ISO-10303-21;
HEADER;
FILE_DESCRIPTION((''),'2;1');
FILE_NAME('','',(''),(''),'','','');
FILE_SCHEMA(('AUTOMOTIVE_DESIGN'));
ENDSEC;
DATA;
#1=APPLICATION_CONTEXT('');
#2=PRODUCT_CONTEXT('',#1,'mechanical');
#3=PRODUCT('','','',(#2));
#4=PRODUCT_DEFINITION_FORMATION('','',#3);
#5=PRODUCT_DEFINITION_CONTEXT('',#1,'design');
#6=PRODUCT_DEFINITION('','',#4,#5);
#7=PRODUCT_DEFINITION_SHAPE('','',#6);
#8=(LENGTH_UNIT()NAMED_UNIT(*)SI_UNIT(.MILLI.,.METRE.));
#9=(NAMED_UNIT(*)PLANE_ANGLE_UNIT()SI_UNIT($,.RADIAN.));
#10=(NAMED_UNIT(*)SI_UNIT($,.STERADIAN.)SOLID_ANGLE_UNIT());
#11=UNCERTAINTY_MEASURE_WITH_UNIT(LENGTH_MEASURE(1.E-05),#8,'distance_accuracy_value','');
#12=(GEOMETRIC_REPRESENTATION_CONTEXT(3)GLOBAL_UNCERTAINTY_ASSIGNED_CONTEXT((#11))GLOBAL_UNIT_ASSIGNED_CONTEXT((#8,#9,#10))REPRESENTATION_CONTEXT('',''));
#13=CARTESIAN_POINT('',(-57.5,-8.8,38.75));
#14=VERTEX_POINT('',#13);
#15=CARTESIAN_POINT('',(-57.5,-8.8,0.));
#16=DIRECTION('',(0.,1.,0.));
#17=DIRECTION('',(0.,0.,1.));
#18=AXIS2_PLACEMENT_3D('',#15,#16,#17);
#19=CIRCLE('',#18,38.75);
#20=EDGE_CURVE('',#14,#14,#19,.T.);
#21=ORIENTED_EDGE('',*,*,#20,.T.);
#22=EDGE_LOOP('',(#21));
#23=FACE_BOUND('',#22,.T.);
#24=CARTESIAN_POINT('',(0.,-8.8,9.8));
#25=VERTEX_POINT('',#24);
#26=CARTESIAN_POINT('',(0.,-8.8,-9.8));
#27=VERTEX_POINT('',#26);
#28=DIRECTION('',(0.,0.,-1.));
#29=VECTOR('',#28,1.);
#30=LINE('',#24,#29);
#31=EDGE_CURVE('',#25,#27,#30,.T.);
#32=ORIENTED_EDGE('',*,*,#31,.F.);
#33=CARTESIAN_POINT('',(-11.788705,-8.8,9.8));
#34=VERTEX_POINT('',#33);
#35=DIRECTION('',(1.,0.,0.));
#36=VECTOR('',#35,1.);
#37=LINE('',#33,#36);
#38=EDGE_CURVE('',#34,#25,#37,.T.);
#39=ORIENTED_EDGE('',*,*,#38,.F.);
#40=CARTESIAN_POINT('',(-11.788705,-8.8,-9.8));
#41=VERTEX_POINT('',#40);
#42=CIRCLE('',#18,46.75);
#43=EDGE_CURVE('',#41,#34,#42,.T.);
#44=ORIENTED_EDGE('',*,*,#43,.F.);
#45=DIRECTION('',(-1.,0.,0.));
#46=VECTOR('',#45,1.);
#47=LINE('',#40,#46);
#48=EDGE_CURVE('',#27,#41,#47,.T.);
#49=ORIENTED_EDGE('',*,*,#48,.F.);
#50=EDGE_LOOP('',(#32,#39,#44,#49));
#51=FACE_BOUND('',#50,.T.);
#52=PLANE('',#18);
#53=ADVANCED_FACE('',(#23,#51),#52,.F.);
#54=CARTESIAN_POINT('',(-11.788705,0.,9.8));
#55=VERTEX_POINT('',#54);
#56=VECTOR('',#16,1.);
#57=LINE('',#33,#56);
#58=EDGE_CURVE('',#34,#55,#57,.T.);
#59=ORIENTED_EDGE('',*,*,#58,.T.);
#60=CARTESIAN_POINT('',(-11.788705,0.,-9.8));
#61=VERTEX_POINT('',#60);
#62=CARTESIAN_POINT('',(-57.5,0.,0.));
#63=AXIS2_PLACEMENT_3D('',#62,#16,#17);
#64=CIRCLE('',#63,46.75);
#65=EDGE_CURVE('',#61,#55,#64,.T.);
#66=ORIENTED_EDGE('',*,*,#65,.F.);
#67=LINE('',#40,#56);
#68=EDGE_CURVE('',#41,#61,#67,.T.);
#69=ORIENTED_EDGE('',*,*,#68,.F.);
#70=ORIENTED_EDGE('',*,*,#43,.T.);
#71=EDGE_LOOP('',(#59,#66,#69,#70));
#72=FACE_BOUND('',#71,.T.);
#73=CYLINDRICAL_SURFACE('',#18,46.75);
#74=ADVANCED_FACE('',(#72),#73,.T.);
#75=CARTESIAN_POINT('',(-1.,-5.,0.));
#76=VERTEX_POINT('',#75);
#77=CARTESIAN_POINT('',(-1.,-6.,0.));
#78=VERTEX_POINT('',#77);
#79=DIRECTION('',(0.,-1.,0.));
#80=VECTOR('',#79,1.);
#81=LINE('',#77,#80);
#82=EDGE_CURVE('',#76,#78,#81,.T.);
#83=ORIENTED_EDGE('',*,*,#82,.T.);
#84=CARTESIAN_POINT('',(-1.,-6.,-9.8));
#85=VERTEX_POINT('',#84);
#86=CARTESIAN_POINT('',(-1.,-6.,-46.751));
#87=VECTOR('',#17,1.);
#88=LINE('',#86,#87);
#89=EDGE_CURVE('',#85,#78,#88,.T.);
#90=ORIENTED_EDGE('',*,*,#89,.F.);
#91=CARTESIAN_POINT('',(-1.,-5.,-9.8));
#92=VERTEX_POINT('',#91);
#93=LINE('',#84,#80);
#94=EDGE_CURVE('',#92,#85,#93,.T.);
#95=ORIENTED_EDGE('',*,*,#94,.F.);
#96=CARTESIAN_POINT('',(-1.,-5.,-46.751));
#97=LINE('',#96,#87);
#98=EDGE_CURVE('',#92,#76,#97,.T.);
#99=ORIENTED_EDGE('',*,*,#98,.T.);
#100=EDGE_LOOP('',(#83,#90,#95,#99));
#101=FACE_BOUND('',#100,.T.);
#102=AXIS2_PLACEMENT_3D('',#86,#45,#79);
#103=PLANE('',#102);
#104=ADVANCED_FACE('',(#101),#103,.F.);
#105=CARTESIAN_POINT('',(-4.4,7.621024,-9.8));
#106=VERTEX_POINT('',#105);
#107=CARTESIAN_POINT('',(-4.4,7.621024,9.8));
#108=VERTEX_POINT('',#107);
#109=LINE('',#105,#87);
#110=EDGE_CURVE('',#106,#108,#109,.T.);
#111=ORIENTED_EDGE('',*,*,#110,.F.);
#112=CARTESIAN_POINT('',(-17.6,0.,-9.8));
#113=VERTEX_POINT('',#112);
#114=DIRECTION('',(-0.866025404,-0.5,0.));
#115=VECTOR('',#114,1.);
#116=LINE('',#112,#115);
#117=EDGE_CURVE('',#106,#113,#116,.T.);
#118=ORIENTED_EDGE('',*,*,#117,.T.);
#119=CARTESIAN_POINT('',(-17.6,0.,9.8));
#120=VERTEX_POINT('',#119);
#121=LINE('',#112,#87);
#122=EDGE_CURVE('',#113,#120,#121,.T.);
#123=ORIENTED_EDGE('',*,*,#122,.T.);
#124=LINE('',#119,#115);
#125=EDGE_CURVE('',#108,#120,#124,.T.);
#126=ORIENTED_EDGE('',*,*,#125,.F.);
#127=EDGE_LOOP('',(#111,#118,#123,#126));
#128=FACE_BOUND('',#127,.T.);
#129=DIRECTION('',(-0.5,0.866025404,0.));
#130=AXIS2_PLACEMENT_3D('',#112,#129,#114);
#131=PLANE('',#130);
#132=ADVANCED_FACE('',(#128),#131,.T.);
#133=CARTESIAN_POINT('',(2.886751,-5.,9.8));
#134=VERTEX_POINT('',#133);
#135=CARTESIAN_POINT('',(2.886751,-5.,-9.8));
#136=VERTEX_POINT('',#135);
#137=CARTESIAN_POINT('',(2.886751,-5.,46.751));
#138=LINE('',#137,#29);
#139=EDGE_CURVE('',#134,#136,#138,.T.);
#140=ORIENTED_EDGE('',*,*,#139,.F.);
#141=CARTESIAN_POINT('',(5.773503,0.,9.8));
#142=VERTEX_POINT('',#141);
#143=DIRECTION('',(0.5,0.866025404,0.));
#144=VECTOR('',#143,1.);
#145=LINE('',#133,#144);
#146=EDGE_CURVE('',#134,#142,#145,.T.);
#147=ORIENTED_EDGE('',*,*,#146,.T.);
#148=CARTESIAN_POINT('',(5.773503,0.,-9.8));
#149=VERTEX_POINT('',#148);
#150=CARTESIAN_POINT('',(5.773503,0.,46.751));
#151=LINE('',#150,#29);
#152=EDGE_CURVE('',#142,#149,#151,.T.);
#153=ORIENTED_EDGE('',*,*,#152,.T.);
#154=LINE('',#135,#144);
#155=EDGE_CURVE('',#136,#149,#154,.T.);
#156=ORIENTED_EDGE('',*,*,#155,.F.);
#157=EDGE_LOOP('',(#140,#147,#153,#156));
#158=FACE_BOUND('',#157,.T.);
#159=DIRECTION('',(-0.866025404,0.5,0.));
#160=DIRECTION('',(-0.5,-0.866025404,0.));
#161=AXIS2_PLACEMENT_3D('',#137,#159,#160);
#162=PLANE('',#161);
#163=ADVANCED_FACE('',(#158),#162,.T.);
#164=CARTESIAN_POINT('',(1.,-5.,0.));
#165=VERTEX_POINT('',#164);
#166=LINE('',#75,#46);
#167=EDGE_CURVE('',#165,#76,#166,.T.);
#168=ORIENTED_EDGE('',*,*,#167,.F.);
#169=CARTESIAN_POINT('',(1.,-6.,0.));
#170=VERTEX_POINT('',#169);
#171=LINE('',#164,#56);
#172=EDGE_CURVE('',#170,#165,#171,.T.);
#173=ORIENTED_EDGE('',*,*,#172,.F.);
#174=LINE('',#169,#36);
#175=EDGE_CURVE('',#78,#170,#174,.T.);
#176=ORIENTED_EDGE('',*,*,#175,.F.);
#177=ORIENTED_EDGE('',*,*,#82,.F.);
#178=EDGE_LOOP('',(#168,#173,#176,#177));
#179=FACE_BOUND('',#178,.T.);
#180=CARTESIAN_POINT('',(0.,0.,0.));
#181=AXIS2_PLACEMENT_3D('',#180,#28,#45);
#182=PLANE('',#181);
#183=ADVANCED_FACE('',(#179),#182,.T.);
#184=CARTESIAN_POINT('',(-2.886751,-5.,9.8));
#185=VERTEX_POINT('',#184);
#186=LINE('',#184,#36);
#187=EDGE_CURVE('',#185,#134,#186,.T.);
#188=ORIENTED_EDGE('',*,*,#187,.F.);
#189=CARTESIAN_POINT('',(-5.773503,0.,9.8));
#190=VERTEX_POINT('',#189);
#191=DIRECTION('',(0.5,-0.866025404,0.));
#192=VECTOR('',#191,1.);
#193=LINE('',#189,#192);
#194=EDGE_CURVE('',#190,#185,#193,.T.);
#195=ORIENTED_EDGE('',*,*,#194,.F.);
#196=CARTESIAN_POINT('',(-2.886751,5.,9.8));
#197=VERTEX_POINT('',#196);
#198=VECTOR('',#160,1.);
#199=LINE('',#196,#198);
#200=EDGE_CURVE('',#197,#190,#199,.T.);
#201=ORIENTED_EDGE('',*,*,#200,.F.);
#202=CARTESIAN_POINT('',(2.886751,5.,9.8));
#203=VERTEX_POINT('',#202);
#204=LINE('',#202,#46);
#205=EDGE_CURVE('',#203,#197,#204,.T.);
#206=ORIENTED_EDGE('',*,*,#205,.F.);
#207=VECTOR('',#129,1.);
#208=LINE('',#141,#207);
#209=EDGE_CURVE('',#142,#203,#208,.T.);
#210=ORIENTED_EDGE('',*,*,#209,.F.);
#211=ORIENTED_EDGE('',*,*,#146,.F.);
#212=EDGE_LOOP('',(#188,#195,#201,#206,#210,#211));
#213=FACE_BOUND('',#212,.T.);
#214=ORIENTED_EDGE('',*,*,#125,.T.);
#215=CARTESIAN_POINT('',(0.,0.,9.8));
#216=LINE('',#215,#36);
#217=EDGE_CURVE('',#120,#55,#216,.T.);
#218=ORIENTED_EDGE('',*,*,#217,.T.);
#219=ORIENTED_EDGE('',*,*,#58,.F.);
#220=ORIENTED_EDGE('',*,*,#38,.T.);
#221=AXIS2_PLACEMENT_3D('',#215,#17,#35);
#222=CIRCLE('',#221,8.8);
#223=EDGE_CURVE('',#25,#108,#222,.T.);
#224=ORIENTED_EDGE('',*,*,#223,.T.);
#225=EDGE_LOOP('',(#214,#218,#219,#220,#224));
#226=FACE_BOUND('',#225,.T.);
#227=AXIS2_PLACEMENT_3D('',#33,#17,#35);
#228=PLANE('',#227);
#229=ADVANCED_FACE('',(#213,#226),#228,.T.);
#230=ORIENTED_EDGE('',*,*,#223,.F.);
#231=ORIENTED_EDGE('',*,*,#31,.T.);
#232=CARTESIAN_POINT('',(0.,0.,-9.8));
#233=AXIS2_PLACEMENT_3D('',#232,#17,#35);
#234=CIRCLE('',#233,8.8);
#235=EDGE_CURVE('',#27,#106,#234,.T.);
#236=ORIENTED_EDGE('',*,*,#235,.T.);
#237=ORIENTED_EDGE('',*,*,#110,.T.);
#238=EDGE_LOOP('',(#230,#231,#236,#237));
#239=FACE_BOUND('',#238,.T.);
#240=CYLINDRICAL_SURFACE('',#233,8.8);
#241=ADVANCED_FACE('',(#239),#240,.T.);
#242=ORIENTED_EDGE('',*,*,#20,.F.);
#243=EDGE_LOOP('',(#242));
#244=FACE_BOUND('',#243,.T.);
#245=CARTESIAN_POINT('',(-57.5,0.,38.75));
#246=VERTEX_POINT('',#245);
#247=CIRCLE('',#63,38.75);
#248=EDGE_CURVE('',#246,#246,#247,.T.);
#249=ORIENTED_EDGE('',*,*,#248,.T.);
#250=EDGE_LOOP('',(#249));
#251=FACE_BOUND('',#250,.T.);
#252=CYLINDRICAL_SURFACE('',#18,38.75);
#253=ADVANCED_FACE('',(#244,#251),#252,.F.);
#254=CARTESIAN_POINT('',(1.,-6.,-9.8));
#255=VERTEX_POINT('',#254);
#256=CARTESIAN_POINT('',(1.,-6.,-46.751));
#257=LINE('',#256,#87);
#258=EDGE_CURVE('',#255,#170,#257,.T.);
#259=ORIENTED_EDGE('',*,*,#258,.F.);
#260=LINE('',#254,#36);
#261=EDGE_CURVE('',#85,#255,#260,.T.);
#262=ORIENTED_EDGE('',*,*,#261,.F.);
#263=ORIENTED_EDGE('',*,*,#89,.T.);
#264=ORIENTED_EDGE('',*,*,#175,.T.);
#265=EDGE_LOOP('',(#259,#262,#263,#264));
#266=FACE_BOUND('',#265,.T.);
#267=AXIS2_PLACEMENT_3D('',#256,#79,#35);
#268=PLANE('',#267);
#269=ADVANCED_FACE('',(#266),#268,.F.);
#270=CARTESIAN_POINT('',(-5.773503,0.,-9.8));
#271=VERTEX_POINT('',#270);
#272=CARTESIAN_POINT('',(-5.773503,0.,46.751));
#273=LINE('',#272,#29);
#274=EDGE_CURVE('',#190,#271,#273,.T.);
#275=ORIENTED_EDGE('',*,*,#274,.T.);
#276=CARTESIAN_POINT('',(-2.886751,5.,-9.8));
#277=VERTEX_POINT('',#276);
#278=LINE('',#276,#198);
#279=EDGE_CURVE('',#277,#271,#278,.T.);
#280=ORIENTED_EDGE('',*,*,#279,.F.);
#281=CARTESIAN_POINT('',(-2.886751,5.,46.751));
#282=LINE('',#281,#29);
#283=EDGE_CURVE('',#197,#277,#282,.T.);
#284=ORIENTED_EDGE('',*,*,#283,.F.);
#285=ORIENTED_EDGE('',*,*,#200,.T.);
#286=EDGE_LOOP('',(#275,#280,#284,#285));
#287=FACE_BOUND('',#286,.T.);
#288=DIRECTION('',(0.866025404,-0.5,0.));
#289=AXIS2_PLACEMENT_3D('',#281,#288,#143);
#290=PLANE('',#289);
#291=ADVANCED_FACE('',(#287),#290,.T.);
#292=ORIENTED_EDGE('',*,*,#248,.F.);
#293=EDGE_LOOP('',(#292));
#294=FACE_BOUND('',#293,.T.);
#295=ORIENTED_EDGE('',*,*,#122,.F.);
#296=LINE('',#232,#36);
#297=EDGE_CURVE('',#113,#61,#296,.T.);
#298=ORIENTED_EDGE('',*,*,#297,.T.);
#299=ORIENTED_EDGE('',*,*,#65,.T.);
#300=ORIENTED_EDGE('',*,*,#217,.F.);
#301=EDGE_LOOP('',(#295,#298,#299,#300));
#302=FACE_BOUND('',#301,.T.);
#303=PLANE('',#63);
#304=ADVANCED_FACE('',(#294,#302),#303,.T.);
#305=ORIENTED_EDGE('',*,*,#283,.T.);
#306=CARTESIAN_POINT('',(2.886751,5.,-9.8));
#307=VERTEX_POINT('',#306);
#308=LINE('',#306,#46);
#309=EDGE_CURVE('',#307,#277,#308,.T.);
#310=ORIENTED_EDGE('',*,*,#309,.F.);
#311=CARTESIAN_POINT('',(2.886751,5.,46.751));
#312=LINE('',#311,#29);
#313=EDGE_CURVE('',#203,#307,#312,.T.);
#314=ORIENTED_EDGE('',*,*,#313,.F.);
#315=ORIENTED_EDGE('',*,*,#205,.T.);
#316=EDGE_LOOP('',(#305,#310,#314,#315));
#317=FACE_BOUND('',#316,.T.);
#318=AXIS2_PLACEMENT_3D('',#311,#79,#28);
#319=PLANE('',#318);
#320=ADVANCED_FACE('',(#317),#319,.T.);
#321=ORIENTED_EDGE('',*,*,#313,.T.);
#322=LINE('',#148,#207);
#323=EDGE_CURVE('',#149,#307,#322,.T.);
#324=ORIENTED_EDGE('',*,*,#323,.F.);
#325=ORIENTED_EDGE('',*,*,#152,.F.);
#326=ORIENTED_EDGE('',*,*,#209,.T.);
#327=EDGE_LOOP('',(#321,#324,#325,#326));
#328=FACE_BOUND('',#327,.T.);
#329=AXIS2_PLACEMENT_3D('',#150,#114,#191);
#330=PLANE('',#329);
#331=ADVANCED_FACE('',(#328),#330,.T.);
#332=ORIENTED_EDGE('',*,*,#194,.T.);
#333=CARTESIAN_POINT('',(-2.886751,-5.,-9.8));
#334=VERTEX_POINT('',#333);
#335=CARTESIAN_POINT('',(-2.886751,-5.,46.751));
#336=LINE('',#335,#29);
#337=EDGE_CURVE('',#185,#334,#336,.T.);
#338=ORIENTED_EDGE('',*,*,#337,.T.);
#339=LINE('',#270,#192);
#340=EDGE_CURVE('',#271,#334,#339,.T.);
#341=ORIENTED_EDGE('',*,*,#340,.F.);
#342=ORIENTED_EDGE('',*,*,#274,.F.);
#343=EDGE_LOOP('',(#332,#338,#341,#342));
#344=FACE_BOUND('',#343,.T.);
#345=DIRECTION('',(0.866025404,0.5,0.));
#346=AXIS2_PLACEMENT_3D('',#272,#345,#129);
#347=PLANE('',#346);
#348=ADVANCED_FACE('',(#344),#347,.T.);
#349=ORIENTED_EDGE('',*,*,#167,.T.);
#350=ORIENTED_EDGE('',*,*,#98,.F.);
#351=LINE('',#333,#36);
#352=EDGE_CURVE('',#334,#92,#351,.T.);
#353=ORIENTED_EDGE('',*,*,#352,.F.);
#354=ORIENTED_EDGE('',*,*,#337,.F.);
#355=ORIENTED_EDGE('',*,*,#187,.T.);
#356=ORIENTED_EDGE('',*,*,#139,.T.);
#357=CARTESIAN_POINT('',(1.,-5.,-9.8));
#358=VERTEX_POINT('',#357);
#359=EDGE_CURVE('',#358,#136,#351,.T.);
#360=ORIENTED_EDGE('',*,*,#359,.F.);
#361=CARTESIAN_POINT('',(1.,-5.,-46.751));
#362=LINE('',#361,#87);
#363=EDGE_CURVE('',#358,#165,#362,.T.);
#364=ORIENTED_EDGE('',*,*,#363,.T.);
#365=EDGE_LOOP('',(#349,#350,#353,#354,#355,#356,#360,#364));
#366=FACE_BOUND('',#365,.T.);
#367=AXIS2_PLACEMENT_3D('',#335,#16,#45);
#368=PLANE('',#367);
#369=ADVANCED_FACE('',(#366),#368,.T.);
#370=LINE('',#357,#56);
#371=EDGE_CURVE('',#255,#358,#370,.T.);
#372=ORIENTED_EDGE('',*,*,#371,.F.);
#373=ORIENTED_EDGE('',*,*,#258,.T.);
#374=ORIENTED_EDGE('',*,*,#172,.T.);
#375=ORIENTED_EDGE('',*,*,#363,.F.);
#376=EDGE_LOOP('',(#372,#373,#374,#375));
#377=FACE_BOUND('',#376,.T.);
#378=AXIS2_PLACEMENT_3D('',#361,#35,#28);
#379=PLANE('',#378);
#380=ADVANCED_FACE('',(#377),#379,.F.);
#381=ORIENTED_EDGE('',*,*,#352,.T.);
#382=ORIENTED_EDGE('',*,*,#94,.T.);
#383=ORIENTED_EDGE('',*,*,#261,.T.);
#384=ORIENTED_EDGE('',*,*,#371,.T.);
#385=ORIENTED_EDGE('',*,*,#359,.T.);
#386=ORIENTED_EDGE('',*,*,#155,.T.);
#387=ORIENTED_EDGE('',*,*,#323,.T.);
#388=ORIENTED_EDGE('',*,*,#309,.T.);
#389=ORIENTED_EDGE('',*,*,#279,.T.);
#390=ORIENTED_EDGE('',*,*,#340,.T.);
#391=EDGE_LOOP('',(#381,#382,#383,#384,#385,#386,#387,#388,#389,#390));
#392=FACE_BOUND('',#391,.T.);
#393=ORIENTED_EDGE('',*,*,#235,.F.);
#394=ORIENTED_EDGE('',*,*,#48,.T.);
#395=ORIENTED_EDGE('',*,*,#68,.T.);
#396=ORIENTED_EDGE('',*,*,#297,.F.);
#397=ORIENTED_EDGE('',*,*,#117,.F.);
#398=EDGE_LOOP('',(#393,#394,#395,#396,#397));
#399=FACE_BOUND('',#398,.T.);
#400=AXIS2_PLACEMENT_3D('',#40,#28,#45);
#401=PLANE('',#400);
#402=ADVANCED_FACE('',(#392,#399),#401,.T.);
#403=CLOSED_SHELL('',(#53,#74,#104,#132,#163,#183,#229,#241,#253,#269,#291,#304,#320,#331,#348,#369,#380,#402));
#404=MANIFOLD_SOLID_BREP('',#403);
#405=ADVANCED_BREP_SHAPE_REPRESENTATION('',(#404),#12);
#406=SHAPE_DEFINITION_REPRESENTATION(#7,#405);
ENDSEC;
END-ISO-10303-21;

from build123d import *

# Parameters (mm, degrees)
SKETCH2_R                      = 38.75
BOSS_EXTRUDE1_DEPTH            = 8.8
BOSS_EXTRUDE2_DEPTH            = 9.8
BOSS_EXTRUDE2_DEPTH_BACK       = 9.8
CUT_EXTRUDE1_REACH             = 116.591
CUT_EXTRUDE1_DIRECTION_2_REACH = 116.591
CUT_EXTRUDE2_REACH             = 116.591
SKETCH5_W                      = 2
SKETCH5_H                      = 1


with BuildPart() as part:
    # Sketch2 → Boss-Extrude1 (new body)
    with BuildSketch(Plane(origin=(0, 0, 0), x_dir=(1, 0, 0), z_dir=(0, 1, 0))):
        with BuildLine():
            Line((-11.788704897, -9.8), (0, -9.8))
            Line((0, -9.8), (0, 9.8))
            Line((0, 9.8), (-11.788704897, 9.8))
            ThreePointArc((-11.788704897, 9.8), (-104.25, 0), (-11.788704897, -9.8))
        make_face()
        with Locations((-57.5, 0)):
            Circle(SKETCH2_R, mode=Mode.SUBTRACT)
    extrude(amount=-BOSS_EXTRUDE1_DEPTH)

    # Sketch3 → Boss-Extrude2 (add, two sides: drawn at the far end of the back side and taken through both)
    with BuildSketch(Plane.XY.offset(-BOSS_EXTRUDE2_DEPTH_BACK)):
        with BuildLine():
            Line((0, -8.8), (0, 0))
            Line((0, 0), (-17.6, 0))
            Line((-17.6, 0), (-4.4, 7.621023553))
            ThreePointArc((-4.4, 7.621023553), (8.500147271, 2.277607597), (0, -8.8))
        make_face()
    extrude(amount=BOSS_EXTRUDE2_DEPTH + BOSS_EXTRUDE2_DEPTH_BACK)

    # Sketch4 → Cut-Extrude1 (cut, up to next)
    with BuildSketch(Plane.XY, mode=Mode.PRIVATE) as cut_extrude1_sk1:
        Polygon((5.773502692, 0), (2.886751346, 5), (-2.886751346, 5), (-5.773502692, 0), (-2.886751346, -5), (2.886751346, -5), align=None)
    cut_extrude1_tool1 = extrude(cut_extrude1_sk1.sketch, amount=-CUT_EXTRUDE1_REACH, mode=Mode.PRIVATE) & part.part
    add(cut_extrude1_tool1.solids().sort_by_distance((0, 0, 0))[0], mode=Mode.SUBTRACT)

    # Sketch4 → Cut-Extrude1 direction 2 (cut, up to next)
    with BuildSketch(Plane.XY, mode=Mode.PRIVATE) as cut_extrude1_direction_2_sk1:
        Polygon((5.773502692, 0), (2.886751346, 5), (-2.886751346, 5), (-5.773502692, 0), (-2.886751346, -5), (2.886751346, -5), align=None)
    cut_extrude1_direction_2_tool1 = extrude(cut_extrude1_direction_2_sk1.sketch, amount=CUT_EXTRUDE1_DIRECTION_2_REACH, mode=Mode.PRIVATE) & part.part
    add(cut_extrude1_direction_2_tool1.solids().sort_by_distance((0, 0, 0))[0], mode=Mode.SUBTRACT)

    # Sketch5 → Cut-Extrude2 (cut, up to next)
    with BuildSketch(Plane.XY, mode=Mode.PRIVATE) as cut_extrude2_sk1:
        with Locations((0, -5.5)):
            Rectangle(SKETCH5_W, SKETCH5_H)
    cut_extrude2_tool1 = extrude(cut_extrude2_sk1.sketch, amount=-CUT_EXTRUDE2_REACH, mode=Mode.PRIVATE) & part.part
    add(cut_extrude2_tool1.solids().sort_by_distance((0, -5.5, 0))[0], mode=Mode.SUBTRACT)


solid = part.part
